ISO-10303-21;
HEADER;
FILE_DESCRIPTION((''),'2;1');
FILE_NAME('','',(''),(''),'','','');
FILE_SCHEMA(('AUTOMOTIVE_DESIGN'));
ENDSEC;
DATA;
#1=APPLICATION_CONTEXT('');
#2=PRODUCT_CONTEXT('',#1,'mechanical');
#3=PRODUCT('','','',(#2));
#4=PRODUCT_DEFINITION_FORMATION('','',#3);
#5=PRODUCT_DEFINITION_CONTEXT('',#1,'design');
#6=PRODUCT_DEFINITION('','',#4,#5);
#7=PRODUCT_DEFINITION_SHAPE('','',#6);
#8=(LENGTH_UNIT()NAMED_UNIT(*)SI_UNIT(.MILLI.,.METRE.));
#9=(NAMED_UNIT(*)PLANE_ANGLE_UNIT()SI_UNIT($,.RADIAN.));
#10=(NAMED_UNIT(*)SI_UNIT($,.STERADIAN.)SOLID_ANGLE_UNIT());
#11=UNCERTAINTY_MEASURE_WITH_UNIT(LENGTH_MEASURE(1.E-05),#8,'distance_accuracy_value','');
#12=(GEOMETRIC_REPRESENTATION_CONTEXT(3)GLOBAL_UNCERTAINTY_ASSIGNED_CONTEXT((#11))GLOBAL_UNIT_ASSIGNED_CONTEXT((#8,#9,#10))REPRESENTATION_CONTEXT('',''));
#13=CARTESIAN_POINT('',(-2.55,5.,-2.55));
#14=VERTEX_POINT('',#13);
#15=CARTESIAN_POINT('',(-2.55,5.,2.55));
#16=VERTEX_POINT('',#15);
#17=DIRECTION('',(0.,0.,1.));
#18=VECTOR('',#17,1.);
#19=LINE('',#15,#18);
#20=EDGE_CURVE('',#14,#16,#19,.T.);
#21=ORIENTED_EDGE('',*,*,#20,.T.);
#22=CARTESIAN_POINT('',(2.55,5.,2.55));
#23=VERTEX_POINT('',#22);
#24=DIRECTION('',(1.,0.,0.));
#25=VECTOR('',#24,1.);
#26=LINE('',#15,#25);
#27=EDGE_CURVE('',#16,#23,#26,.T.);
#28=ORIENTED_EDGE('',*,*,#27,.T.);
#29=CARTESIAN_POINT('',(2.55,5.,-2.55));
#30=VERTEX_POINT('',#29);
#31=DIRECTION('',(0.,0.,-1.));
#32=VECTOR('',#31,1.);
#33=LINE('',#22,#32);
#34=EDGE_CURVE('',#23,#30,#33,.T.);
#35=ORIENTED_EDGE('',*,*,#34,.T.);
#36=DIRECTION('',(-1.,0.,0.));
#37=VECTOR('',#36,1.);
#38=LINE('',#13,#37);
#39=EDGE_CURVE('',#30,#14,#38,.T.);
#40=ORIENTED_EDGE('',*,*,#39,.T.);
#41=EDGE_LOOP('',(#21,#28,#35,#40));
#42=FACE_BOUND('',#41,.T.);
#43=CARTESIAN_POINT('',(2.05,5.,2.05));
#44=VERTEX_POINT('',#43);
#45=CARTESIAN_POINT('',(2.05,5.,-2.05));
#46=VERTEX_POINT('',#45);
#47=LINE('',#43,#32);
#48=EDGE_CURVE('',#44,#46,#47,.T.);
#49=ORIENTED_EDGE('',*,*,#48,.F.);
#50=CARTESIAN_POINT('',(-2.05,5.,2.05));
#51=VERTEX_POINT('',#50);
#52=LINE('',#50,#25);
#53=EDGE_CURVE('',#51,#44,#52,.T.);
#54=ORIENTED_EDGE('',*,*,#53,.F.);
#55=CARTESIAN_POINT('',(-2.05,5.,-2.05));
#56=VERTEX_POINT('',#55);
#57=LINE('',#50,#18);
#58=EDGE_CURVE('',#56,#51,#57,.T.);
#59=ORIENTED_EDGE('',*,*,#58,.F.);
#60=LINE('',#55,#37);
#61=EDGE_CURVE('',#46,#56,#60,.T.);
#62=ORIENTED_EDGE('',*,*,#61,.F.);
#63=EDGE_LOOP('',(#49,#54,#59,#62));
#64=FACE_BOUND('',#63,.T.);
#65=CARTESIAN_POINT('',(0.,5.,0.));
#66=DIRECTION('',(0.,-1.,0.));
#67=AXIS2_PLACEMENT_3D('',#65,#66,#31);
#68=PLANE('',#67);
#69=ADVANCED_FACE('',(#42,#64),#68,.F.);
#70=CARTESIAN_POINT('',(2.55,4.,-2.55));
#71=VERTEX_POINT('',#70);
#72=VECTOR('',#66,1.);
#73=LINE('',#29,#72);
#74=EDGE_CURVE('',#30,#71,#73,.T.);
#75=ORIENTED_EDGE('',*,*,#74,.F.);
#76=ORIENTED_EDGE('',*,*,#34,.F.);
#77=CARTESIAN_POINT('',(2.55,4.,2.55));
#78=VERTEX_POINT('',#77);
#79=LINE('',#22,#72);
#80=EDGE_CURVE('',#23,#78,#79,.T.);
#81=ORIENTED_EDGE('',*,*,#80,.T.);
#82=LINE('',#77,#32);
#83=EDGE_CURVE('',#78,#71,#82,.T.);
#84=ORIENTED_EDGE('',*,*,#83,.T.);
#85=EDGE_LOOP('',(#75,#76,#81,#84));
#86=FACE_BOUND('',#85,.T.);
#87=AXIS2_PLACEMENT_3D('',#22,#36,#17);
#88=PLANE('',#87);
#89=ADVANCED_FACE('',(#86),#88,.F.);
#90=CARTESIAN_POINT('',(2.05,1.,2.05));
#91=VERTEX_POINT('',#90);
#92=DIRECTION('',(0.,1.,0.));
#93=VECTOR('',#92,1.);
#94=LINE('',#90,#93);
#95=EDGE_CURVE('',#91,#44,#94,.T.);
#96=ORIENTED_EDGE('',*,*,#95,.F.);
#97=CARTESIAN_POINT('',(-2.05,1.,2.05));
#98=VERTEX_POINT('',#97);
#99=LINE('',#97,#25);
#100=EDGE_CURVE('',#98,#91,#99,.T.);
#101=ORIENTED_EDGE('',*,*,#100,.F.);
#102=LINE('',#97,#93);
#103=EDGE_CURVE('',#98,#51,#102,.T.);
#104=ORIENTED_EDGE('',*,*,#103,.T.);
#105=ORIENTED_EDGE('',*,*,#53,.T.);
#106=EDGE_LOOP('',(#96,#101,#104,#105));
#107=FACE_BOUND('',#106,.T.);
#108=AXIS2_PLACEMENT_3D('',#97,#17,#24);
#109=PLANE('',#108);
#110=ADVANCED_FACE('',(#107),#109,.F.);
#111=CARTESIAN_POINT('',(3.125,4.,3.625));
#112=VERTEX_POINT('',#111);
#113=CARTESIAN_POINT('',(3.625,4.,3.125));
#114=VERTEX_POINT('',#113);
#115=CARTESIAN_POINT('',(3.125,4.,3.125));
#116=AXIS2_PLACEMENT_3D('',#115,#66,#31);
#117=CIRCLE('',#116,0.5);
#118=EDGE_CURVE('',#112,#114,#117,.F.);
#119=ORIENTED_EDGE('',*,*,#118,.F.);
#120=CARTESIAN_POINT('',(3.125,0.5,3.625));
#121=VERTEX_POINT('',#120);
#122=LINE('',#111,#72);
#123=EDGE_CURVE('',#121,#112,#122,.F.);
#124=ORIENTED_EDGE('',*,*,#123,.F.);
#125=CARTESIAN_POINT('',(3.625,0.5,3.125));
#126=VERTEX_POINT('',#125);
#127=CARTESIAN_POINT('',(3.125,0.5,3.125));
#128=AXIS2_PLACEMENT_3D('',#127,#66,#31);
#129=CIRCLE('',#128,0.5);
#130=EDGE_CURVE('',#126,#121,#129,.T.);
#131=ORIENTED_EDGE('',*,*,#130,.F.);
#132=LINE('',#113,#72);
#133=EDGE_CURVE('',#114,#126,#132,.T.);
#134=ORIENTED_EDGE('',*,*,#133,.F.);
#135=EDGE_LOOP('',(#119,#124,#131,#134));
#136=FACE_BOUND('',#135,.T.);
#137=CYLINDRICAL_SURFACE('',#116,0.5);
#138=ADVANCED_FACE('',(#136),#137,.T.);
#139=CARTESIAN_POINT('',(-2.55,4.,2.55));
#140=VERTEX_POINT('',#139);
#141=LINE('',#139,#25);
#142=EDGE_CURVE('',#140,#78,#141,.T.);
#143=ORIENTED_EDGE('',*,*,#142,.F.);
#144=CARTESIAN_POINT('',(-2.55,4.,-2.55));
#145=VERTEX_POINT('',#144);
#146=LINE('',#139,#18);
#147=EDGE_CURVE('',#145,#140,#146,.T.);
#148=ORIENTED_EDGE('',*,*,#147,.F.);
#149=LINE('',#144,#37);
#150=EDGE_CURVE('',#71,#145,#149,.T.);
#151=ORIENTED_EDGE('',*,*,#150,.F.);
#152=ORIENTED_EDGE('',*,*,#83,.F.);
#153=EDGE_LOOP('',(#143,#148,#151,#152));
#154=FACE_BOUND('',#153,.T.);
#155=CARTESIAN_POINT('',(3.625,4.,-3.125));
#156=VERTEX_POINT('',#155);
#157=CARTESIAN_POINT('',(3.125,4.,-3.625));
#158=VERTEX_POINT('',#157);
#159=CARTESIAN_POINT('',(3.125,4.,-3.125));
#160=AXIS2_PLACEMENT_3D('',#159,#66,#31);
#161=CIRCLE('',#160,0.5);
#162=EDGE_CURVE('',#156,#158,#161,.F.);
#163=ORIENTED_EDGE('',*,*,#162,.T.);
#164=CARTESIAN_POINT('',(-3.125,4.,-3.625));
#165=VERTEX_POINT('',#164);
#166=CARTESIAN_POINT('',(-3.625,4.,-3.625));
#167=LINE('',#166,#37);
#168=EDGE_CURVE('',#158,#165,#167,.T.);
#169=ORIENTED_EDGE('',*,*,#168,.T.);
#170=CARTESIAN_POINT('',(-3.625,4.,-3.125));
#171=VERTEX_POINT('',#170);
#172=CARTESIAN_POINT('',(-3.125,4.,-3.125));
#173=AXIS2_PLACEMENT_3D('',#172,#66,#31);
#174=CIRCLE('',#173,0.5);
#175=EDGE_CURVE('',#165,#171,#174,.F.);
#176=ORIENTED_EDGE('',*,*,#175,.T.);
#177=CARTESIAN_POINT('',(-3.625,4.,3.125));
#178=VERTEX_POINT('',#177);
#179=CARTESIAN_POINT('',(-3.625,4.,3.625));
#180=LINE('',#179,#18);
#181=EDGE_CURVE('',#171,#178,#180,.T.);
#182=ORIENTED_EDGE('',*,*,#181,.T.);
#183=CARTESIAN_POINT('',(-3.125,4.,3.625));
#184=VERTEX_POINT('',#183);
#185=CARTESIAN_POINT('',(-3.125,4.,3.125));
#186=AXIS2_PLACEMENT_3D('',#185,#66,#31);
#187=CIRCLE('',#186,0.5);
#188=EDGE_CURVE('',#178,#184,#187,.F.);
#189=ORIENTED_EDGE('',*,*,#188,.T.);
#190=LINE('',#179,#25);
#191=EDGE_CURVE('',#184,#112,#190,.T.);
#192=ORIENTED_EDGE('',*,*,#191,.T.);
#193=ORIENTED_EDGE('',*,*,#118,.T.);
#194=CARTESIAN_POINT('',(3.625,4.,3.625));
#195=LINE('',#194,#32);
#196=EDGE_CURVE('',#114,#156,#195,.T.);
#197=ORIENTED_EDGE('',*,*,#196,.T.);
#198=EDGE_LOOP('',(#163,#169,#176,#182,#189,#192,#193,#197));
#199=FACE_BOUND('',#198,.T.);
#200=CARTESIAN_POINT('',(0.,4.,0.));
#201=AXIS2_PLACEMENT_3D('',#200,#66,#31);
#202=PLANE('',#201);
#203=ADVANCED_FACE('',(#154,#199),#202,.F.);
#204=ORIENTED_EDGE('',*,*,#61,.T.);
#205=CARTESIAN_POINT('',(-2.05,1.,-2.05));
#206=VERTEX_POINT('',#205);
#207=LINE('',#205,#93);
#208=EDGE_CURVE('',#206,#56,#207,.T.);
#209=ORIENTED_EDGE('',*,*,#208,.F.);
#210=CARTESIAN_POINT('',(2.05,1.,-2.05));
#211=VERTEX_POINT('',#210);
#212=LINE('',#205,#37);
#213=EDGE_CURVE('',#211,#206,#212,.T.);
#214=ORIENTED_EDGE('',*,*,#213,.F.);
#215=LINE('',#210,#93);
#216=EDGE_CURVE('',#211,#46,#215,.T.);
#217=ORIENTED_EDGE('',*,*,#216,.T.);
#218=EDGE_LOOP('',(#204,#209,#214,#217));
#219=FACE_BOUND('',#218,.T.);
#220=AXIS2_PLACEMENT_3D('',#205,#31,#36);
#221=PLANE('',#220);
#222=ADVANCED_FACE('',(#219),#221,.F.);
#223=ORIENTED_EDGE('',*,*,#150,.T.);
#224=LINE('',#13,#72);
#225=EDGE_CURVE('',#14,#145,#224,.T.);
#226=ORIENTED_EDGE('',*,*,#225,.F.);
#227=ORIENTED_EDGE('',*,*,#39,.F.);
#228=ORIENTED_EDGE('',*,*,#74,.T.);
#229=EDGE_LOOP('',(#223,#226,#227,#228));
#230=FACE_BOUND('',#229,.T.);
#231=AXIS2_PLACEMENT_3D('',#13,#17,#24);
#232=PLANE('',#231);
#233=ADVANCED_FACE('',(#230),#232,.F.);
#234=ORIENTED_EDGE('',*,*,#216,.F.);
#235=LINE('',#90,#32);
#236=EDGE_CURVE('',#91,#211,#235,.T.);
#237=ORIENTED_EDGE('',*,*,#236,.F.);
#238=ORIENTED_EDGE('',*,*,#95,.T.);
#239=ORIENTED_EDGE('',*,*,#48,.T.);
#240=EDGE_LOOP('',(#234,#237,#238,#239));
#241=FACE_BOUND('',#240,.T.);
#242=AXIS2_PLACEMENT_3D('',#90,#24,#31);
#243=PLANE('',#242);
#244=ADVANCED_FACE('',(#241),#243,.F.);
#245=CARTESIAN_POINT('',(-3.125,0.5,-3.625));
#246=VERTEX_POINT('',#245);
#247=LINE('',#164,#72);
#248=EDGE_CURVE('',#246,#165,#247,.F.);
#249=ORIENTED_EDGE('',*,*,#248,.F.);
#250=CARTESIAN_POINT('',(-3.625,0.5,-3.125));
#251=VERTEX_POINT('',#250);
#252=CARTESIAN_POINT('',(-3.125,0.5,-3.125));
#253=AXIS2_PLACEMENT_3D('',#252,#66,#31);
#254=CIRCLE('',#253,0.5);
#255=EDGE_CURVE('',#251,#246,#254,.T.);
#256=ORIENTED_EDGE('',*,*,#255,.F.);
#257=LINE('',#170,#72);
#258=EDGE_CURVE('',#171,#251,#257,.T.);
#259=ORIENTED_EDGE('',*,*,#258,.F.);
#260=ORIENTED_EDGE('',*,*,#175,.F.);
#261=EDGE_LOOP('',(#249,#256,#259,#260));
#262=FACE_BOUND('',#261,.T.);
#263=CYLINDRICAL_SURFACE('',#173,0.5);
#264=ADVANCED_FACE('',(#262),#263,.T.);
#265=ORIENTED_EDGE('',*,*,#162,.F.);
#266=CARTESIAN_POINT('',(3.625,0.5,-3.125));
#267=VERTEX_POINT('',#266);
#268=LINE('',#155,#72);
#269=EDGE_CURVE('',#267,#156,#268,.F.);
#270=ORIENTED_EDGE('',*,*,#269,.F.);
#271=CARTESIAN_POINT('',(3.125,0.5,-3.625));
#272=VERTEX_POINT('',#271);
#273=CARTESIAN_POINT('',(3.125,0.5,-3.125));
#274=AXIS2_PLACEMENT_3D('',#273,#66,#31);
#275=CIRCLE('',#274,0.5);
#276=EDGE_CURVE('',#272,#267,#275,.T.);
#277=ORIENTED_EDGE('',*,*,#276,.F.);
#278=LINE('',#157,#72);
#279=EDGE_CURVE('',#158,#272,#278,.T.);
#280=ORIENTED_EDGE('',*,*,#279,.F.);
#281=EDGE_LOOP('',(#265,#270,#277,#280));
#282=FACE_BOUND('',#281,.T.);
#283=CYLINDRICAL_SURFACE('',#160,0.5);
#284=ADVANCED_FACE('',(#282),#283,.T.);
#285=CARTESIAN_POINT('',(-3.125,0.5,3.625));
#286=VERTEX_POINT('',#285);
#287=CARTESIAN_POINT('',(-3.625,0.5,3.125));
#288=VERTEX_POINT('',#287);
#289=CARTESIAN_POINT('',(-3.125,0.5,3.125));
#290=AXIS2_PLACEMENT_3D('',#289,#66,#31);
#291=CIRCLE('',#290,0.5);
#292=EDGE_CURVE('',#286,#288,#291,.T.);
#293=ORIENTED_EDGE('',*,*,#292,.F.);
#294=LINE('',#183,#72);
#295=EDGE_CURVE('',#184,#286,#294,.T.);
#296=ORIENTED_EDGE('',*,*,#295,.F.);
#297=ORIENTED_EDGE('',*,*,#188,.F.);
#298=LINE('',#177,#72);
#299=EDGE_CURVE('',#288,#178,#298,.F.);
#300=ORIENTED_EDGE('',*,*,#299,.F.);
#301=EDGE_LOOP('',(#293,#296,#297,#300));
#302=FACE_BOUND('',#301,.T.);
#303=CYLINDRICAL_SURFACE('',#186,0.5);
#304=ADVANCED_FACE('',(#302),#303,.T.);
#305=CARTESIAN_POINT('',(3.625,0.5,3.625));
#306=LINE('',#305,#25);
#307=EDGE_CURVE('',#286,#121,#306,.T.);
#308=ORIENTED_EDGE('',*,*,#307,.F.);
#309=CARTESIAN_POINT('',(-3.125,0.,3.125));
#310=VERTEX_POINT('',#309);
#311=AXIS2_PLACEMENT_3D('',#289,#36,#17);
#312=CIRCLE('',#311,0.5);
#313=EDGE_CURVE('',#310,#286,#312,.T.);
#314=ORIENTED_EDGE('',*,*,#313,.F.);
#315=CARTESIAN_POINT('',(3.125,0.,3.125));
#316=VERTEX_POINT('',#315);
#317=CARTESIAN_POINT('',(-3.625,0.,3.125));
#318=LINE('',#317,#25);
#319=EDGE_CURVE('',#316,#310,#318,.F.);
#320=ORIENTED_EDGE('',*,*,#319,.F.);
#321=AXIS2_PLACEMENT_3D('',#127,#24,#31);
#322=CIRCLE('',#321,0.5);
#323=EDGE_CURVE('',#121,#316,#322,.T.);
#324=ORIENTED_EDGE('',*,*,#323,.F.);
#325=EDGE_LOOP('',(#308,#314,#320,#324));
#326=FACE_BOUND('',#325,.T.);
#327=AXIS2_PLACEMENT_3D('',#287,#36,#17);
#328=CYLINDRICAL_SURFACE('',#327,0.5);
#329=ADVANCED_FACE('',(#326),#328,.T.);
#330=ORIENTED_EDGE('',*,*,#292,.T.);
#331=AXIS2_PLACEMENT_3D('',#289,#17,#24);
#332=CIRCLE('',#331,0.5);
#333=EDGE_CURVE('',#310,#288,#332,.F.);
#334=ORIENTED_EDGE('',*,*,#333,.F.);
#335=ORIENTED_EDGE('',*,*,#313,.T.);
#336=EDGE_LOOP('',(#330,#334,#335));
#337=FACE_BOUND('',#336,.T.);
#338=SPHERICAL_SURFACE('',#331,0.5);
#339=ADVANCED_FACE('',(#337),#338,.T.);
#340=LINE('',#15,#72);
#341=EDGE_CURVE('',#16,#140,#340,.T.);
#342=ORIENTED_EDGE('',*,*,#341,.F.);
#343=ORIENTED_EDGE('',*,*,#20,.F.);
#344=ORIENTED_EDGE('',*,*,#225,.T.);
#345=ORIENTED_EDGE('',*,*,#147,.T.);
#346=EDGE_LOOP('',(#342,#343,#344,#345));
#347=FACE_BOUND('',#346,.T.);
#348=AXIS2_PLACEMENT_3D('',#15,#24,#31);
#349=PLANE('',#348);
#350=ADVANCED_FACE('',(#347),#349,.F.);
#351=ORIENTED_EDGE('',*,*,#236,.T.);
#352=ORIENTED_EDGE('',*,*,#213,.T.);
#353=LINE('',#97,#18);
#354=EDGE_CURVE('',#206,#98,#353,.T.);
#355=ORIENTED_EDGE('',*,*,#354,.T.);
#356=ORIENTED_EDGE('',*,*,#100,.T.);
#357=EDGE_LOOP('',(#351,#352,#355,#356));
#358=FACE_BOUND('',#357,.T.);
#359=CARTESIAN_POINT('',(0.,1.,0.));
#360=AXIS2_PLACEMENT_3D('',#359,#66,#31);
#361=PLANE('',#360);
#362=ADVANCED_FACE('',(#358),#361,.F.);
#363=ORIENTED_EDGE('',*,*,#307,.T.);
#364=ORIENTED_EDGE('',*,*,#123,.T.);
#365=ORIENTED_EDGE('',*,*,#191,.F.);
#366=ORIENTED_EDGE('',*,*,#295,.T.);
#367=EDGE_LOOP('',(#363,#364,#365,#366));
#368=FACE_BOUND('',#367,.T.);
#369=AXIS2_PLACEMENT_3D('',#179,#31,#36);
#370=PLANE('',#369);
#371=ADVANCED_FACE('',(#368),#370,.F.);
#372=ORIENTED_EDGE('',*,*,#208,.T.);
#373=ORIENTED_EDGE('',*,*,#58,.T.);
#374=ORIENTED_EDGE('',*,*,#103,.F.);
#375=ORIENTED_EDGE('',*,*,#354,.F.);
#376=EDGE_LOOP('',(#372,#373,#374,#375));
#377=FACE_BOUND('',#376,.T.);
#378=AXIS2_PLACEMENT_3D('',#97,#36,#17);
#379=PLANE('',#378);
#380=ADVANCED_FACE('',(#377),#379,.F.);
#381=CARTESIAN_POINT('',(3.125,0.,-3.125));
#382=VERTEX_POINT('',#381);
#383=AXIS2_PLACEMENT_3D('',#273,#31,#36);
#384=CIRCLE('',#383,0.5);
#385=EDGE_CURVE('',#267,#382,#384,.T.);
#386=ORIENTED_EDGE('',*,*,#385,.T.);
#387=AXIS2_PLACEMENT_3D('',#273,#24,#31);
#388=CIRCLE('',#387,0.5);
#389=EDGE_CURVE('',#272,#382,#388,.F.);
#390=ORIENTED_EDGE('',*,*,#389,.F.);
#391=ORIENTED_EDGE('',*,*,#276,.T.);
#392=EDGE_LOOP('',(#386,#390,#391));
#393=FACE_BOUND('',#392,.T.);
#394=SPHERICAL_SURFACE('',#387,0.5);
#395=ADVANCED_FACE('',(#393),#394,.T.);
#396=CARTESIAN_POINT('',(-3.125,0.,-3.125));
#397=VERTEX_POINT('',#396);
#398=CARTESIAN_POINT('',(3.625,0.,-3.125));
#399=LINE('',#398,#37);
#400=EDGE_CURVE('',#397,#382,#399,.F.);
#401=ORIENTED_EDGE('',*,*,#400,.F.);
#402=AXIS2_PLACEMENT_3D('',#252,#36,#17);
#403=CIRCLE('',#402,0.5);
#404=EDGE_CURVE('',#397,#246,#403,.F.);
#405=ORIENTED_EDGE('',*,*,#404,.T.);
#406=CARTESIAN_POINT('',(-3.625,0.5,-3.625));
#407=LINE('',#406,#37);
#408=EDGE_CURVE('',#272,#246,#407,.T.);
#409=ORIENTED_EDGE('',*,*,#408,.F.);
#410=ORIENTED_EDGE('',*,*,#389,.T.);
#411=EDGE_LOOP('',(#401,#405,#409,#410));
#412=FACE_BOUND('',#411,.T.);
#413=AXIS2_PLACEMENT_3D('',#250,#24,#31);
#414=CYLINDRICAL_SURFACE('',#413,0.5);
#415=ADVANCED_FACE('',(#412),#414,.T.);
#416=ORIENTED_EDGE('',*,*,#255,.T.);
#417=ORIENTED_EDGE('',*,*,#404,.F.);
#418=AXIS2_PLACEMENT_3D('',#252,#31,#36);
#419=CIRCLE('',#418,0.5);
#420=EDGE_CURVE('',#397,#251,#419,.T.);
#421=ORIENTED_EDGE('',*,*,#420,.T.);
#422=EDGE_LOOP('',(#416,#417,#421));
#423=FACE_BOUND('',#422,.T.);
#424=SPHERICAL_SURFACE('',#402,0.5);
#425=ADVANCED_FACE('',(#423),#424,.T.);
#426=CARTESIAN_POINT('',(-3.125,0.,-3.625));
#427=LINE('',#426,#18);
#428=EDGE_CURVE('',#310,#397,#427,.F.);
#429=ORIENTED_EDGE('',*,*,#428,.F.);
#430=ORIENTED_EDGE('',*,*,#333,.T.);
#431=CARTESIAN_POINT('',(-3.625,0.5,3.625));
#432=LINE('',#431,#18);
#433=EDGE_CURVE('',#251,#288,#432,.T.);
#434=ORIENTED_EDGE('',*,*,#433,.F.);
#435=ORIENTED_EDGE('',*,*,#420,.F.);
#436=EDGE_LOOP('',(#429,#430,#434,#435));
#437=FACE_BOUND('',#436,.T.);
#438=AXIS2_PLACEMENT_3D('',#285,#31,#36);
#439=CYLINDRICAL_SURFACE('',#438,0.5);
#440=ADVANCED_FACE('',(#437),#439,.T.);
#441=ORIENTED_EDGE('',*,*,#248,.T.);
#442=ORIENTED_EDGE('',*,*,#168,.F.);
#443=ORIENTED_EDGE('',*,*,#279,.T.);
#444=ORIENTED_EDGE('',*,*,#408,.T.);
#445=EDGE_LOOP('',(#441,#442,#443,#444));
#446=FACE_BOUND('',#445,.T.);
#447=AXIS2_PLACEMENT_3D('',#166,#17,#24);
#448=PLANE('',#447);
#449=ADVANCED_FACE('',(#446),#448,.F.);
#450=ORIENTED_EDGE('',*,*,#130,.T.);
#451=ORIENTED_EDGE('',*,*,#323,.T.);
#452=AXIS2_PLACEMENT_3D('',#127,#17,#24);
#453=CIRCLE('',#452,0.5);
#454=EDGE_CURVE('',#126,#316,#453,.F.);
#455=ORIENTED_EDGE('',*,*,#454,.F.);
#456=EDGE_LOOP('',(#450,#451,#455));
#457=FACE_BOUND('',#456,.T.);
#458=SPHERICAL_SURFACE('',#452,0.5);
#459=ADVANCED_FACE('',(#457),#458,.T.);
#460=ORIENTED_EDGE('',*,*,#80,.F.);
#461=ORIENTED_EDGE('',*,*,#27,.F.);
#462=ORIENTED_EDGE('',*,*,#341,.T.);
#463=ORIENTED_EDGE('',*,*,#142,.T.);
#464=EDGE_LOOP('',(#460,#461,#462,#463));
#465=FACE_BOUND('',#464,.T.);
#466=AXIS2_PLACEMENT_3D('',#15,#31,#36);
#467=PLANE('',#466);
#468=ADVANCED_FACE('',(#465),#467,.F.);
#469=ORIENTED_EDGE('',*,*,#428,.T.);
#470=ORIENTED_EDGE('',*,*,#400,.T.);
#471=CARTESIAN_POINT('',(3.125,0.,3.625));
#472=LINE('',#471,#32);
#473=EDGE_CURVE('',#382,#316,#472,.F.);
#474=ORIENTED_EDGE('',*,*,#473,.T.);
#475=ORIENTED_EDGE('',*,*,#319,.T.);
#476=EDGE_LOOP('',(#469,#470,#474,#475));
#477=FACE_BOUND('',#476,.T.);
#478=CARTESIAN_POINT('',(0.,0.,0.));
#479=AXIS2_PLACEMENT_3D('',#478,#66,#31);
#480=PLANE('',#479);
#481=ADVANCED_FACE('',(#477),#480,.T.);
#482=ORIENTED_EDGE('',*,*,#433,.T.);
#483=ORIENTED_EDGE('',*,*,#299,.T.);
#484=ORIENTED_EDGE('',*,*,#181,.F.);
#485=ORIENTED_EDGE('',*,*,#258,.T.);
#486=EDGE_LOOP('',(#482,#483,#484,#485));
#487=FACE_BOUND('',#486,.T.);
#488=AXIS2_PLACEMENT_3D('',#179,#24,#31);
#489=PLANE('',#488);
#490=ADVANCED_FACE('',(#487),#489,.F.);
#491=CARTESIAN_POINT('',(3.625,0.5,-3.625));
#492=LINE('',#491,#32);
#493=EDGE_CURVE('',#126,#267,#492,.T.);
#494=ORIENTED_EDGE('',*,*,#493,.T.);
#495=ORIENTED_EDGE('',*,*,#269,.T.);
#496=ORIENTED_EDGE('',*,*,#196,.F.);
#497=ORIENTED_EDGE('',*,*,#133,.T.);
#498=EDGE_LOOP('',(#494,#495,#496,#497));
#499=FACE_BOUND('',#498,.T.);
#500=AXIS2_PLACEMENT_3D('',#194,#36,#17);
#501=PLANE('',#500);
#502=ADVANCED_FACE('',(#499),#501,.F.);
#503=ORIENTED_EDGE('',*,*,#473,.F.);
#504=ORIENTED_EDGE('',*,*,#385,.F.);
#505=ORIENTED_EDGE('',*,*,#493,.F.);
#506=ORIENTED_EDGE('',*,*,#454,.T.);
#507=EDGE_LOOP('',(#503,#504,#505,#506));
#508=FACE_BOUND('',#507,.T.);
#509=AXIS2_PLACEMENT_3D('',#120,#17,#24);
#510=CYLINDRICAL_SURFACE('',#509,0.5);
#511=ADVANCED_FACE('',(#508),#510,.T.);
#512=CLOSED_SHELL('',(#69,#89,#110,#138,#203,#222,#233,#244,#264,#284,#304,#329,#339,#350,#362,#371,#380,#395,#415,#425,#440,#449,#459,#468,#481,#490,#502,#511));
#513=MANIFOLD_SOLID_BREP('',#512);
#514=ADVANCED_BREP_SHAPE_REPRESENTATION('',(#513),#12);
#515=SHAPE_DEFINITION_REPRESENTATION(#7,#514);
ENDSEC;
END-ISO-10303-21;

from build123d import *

# Parameters (mm, degrees)
SKETCH1_W           = 7.25
SKETCH1_H           = 7.25
BOSS_EXTRUDE1_DEPTH = 4
SKETCH3_W           = 5.1
SKETCH3_H           = 5.1
BOSS_EXTRUDE2_DEPTH = 1
SKETCH4_W           = 4.1
SKETCH4_H           = 4.1
CUT_EXTRUDE2_DEPTH  = 4
FILLET1_R           = 0.5


with BuildPart() as part:
    # Sketch1 → Boss-Extrude1 (new body)
    with BuildSketch(Plane(origin=(0, 0, 0), x_dir=(1, 0, 0), z_dir=(0, 1, 0))):
        Rectangle(SKETCH1_W, SKETCH1_H)
    extrude(amount=BOSS_EXTRUDE1_DEPTH)

    # Sketch3 → Boss-Extrude2 (add)
    with BuildSketch(Plane(origin=(0, 4, 0), x_dir=(1, 0, 0), z_dir=(0, 1, 0))):
        Rectangle(SKETCH3_W, SKETCH3_H)
    extrude(amount=BOSS_EXTRUDE2_DEPTH)

    # Sketch4 → Cut-Extrude2 (cut)
    with BuildSketch(Plane(origin=(0, 5, 0), x_dir=(1, 0, 0), z_dir=(0, 1, 0))):
        Rectangle(SKETCH4_W, SKETCH4_H)
    extrude(amount=-CUT_EXTRUDE2_DEPTH, mode=Mode.SUBTRACT)

    # Fillet1
    fillet1_edges = [part.edges().sort_by_distance(p)[0] for p in [
        (0, 0, 3.625),
        (-3.625, 0, 0),
        (0, 0, -3.625),
        (3.625, 0, 0),
        (3.625, 2, 3.625),
        (-3.625, 2, 3.625),
        (-3.625, 2, -3.625),
        (3.625, 2, -3.625),
    ]]
    fillet(fillet1_edges, radius=FILLET1_R)


solid = part.part
